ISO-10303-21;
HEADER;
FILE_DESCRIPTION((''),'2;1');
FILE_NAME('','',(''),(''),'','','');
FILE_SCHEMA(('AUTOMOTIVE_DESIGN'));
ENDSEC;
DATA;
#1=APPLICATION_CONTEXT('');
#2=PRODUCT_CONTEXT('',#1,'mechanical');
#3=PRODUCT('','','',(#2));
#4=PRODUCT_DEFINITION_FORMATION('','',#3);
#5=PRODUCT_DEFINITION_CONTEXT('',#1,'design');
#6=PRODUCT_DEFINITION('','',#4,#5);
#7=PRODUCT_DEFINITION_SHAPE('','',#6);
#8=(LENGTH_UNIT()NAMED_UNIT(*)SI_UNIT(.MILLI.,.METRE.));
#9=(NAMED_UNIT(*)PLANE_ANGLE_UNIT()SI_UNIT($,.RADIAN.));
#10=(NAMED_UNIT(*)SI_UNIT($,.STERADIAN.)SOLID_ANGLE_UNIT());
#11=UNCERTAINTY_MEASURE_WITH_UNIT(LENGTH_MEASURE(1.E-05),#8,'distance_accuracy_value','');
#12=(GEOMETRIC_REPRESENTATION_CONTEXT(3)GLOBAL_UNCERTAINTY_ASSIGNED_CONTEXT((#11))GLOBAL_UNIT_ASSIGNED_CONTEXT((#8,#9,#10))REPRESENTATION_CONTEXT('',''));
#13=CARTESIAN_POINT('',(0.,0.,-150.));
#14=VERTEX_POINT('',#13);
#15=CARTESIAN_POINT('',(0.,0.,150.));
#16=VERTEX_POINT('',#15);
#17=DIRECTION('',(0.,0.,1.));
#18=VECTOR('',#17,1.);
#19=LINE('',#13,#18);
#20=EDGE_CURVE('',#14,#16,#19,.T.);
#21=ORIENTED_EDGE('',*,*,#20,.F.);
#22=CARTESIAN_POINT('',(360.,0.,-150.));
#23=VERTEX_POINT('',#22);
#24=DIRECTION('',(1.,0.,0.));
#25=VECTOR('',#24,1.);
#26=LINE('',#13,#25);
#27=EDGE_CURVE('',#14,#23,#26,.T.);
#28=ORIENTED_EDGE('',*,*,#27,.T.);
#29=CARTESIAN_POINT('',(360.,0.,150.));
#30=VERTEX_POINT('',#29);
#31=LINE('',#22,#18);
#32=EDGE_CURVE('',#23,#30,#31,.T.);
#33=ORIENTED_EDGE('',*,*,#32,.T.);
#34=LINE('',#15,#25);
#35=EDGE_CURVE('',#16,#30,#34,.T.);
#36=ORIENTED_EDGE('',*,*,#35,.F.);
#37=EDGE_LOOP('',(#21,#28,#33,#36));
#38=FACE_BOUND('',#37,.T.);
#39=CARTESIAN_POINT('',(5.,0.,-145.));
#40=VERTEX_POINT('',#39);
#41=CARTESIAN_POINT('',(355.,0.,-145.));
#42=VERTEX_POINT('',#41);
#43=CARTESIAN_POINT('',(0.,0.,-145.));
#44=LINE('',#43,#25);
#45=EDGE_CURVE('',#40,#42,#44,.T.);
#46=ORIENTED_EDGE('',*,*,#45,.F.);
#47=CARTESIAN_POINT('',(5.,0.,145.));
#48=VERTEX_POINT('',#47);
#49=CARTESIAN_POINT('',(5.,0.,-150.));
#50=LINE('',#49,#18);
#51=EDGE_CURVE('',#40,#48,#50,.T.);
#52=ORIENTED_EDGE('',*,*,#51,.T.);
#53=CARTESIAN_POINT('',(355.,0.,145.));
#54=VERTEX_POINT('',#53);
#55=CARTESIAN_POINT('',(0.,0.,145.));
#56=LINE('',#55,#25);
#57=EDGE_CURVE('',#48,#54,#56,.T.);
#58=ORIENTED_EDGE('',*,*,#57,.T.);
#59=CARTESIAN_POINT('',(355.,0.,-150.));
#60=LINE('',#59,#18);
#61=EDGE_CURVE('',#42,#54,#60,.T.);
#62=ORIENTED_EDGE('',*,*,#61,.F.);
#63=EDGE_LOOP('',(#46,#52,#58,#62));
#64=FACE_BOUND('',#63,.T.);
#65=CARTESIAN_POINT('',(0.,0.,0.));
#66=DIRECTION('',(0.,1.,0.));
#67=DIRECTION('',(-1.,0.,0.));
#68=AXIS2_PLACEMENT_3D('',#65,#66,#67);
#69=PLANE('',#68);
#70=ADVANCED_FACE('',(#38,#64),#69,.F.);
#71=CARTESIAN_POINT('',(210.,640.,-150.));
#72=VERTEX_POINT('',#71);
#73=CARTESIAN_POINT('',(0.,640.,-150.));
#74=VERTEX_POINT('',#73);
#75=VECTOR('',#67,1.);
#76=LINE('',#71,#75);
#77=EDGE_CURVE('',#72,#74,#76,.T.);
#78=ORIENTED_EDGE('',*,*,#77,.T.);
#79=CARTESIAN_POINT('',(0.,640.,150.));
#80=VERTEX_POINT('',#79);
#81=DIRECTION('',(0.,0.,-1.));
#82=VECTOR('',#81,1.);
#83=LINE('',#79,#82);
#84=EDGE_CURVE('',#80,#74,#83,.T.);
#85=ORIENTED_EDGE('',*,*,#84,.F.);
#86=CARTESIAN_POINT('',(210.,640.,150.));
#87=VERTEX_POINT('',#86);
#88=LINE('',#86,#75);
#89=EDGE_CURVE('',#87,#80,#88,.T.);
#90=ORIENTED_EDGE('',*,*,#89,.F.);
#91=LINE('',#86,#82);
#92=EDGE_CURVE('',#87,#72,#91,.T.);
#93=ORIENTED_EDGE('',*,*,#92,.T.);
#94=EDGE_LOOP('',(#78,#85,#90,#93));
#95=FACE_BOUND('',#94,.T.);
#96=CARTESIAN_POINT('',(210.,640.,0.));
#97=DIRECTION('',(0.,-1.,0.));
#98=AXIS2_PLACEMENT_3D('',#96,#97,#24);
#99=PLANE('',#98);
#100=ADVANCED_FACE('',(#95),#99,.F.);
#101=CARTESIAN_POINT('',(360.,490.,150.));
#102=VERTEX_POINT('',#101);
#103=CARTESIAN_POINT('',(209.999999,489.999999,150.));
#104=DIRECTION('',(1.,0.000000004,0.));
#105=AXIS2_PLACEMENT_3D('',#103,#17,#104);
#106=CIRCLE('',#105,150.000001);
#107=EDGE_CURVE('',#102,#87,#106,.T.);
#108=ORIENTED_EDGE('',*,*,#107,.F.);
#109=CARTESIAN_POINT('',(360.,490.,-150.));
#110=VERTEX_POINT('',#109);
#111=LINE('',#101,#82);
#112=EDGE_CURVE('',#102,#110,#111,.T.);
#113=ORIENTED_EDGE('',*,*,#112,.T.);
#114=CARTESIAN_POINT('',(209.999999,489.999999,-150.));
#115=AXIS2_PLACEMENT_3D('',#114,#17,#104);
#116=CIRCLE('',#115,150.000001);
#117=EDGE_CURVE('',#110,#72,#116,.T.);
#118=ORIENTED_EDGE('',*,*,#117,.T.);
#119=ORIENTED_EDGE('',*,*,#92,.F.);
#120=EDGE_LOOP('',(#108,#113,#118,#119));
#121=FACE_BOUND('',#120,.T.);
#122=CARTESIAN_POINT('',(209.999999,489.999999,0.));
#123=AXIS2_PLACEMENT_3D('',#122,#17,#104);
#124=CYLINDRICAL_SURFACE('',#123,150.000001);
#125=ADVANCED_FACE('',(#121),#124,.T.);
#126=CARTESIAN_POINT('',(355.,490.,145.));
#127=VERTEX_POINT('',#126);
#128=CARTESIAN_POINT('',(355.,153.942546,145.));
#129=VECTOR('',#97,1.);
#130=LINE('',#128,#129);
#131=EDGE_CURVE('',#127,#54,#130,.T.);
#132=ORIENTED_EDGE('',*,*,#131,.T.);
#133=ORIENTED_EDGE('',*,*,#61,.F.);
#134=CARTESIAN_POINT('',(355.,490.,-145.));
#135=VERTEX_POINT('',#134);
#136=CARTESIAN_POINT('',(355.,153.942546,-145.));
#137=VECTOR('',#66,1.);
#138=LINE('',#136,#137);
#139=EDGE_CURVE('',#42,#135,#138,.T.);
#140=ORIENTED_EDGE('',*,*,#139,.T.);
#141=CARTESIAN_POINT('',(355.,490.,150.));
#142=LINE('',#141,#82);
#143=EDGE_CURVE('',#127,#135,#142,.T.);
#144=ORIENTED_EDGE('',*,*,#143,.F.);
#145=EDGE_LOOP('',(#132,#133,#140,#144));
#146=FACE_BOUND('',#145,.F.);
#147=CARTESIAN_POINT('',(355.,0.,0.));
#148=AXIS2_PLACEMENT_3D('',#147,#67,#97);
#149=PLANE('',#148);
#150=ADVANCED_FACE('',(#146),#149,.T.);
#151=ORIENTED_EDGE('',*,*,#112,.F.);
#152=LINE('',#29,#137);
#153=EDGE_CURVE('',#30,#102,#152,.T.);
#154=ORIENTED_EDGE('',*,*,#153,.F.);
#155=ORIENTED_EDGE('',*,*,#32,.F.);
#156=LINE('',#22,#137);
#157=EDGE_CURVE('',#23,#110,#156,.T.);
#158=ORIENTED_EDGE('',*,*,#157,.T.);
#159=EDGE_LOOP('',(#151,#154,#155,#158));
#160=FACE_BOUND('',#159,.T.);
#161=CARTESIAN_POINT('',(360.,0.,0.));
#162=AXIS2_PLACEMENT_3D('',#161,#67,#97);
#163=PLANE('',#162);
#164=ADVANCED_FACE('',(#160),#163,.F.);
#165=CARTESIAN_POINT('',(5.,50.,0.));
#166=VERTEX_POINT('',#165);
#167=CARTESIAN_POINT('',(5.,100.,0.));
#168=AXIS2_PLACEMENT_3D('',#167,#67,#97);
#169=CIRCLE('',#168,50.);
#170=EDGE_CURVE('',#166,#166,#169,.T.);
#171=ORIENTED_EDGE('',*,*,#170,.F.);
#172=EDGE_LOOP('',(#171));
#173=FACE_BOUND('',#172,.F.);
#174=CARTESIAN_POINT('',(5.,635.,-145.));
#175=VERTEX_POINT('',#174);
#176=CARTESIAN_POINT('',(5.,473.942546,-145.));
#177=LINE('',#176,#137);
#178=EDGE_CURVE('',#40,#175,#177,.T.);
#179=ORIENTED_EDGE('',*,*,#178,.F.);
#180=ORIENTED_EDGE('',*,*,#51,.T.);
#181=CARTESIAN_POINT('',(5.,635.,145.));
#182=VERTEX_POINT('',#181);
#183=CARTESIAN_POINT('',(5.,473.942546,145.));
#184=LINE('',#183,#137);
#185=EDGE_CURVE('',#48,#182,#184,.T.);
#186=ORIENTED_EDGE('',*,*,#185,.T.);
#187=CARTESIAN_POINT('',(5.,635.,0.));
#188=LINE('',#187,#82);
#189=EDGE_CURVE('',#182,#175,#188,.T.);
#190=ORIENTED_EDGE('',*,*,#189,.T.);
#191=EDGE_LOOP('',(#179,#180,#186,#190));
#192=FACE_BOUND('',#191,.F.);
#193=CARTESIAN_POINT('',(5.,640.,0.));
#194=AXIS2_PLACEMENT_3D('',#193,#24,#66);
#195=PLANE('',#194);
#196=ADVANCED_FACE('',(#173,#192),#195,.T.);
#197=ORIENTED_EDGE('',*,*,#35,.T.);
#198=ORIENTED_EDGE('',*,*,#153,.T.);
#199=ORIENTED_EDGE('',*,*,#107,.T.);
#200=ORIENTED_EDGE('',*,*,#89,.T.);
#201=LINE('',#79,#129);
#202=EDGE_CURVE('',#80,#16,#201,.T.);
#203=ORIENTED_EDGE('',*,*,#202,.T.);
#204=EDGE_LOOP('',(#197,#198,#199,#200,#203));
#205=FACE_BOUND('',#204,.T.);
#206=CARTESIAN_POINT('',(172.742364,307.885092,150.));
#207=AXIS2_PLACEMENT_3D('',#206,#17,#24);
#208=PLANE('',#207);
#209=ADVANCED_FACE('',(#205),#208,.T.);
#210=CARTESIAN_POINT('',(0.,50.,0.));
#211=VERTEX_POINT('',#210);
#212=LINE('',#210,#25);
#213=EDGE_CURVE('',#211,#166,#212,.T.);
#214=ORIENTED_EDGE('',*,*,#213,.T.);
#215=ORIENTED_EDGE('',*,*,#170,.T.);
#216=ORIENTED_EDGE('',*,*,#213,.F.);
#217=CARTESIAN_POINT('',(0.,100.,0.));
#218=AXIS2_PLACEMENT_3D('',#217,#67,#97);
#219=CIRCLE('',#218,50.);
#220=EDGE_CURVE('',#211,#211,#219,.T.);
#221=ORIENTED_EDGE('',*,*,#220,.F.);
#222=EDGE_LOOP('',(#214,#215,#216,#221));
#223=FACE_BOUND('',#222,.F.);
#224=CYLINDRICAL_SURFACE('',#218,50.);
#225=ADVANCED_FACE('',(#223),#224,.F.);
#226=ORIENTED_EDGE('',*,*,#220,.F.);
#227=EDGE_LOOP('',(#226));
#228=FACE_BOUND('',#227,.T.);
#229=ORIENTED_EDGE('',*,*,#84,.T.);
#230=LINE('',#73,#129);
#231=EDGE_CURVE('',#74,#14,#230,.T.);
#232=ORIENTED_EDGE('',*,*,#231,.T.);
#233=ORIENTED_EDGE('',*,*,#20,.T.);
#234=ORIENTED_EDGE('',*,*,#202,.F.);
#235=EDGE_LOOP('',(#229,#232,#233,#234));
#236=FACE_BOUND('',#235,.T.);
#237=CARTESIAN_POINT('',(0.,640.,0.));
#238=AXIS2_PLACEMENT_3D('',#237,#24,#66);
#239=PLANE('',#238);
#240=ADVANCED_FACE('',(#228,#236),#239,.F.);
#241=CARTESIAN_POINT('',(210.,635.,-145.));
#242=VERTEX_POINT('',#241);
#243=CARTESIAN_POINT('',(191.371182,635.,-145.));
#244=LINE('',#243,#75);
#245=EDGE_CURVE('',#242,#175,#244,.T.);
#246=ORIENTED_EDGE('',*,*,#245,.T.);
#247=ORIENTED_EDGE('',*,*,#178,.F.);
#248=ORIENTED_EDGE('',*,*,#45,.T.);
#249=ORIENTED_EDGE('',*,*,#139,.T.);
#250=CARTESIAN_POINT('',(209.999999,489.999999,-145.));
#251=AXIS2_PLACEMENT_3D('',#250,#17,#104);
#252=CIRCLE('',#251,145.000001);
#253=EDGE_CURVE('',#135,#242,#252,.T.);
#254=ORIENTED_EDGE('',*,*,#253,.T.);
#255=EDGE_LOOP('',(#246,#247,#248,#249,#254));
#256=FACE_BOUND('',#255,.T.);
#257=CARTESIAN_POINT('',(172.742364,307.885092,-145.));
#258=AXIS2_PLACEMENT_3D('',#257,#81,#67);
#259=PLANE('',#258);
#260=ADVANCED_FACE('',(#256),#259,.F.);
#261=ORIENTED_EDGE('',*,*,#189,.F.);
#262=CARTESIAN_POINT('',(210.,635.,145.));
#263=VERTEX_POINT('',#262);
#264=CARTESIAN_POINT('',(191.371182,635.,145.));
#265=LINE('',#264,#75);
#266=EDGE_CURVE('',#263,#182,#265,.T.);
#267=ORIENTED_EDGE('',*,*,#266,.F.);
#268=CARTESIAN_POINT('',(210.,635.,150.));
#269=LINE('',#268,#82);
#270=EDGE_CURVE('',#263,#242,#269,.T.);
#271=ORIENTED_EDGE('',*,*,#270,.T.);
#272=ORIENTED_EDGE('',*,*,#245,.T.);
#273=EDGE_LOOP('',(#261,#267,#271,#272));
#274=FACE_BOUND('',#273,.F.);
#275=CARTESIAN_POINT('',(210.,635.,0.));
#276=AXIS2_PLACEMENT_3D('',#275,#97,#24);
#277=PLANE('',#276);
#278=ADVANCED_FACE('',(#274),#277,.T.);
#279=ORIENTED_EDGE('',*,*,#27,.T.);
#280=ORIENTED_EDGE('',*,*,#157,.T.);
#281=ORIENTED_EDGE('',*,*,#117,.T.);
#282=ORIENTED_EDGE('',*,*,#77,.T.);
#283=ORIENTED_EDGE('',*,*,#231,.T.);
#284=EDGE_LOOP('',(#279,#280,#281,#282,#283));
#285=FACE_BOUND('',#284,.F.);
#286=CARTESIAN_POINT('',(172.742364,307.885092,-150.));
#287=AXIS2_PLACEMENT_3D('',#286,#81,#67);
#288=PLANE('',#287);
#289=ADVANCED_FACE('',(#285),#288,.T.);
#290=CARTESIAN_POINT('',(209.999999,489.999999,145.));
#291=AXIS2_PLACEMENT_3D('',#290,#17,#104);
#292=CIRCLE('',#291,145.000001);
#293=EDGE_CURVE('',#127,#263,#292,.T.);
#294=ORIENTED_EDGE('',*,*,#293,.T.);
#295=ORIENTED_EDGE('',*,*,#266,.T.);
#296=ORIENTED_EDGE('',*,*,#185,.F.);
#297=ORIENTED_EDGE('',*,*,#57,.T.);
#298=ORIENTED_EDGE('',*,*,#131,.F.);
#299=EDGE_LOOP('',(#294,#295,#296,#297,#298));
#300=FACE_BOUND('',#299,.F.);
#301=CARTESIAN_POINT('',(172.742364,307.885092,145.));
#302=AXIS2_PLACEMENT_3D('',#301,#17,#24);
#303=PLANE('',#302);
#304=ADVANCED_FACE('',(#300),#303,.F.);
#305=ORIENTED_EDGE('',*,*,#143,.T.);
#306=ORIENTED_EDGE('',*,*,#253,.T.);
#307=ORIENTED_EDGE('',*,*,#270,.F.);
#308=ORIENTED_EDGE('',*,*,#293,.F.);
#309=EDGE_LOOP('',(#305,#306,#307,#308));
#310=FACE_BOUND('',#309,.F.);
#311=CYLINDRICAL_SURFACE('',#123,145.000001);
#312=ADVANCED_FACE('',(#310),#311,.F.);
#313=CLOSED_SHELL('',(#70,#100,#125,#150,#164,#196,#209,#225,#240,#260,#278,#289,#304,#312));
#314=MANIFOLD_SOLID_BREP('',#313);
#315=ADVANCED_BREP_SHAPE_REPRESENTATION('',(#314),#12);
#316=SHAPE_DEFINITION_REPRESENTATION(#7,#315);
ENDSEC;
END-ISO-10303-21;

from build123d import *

# Parameters (mm, degrees)
F1_DEPTH = 150
F3_T     = -5
F4_R     = 50
F5_DEPTH = 5


with BuildPart() as f1:
    # F0 (on Top) → F1 (new body)
    with BuildSketch(Plane.XY):
        with BuildLine():
            Line((0, 640), (0, 0))
            Line((0, 0), (360, 0))
            Line((360, 0), (360, 490))
            ThreePointArc((360, 490), (316.066017, 596.066017), (210, 640))
            Line((210, 640), (0, 640))
        make_face()
    extrude(amount=F1_DEPTH)

    # F2: F1 across plane


with BuildPart() as f1_1:
    add(f1.part)
    add(f1.part.mirror(Plane.XY))

    # F3
    f3_openings = [f1_1.faces().sort_by_distance(p)[0] for p in [
        (180, 0, 0),
    ]]
    offset(amount=F3_T, openings=f3_openings)

    # F4 (on face) → F5 (cut, through all)
    with BuildSketch(Plane(origin=(0, 0, 0), x_dir=(0, -1, 0), z_dir=(-1, 0, 0))):
        with Locations((-100, 0)):
            Circle(F4_R)
    extrude(amount=-F5_DEPTH, mode=Mode.SUBTRACT)


solid = f1_1.part
